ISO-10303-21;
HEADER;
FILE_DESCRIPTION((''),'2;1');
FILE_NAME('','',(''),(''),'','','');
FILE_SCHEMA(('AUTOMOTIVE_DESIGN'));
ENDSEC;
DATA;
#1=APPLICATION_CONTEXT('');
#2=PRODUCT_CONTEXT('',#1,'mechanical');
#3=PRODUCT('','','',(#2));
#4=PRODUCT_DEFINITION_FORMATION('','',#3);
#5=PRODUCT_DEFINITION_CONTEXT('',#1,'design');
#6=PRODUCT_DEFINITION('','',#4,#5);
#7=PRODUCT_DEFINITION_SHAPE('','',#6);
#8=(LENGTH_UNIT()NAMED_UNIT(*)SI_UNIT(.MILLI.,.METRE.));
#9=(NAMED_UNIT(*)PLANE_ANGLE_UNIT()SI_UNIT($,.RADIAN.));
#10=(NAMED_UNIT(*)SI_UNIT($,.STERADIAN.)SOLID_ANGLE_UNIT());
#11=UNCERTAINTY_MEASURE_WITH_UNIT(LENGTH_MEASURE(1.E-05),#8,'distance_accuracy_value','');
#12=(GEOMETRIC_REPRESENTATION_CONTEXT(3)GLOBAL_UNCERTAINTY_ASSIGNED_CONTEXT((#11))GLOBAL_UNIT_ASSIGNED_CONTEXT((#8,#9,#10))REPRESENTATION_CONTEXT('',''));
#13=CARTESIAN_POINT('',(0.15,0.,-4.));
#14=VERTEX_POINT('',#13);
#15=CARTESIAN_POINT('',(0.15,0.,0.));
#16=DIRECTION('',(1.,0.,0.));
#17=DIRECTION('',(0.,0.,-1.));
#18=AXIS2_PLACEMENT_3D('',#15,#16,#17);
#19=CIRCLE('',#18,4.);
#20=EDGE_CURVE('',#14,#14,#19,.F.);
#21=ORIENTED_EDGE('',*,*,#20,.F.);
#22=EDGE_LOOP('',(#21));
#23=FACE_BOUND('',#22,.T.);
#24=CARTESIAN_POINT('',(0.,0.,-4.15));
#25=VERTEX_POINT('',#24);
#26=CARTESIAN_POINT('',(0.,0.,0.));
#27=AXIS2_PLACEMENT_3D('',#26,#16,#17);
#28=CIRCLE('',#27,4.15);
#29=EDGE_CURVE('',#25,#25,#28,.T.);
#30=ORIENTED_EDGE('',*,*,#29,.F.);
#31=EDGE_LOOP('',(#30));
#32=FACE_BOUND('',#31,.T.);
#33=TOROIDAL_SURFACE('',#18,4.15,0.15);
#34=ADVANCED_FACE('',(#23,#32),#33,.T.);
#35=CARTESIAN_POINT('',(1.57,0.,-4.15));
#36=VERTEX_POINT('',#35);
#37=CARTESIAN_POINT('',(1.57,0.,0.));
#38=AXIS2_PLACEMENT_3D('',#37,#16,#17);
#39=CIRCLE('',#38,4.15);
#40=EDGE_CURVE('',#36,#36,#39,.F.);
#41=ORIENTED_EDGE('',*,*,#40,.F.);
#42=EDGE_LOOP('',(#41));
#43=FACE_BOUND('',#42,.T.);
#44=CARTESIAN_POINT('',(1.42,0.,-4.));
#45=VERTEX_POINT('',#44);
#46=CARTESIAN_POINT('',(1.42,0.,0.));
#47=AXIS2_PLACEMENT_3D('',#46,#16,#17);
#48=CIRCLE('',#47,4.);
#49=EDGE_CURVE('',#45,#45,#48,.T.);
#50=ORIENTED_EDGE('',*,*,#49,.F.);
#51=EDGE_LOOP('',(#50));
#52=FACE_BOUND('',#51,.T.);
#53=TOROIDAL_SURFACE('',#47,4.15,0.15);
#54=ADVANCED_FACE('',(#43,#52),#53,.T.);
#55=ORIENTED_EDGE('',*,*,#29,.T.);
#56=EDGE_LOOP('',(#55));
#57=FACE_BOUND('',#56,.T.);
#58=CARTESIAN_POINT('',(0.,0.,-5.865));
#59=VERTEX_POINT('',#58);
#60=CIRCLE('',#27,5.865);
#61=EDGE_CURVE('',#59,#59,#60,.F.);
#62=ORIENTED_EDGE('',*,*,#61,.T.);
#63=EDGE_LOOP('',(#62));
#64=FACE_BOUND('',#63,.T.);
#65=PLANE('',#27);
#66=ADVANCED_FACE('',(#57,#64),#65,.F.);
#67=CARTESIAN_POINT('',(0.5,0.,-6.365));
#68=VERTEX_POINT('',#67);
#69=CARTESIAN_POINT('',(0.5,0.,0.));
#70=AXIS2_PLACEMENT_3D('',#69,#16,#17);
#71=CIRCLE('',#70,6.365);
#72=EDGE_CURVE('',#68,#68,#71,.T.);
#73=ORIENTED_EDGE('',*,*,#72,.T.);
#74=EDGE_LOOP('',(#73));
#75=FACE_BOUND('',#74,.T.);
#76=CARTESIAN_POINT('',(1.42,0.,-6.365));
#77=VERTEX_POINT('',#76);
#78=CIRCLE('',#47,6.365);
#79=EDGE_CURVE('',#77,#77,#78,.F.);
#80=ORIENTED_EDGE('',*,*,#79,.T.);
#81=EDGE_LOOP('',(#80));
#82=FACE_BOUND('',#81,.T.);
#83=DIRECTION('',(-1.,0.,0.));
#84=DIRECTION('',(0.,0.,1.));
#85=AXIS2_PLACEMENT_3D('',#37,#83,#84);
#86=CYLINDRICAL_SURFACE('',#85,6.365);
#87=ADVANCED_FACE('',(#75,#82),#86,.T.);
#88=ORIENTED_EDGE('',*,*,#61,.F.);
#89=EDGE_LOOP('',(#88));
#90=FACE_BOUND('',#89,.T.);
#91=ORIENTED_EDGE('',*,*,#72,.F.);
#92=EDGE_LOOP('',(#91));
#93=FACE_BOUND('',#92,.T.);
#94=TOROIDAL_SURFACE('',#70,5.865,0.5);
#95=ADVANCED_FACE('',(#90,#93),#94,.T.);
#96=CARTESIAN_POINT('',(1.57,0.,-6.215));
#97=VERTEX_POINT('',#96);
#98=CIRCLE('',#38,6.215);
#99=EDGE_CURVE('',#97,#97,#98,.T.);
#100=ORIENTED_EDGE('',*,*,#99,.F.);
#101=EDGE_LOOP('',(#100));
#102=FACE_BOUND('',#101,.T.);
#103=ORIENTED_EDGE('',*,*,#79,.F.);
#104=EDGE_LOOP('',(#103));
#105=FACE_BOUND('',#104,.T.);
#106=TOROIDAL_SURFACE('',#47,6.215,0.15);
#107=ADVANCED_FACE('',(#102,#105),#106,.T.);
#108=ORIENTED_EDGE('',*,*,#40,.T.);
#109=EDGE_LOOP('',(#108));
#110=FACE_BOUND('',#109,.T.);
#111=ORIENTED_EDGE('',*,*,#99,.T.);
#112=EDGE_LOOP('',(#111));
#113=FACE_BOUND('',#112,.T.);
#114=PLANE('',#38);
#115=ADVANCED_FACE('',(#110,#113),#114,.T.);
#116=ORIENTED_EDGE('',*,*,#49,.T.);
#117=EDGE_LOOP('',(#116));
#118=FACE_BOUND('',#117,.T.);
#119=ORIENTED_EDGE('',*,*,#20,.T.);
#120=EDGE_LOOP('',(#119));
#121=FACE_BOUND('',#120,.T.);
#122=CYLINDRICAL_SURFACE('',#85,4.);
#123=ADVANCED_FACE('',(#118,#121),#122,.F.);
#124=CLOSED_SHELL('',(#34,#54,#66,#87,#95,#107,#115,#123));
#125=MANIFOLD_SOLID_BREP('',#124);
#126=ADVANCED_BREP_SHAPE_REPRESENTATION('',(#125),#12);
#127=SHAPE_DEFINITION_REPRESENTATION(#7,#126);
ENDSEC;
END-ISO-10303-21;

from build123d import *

# Parameters (mm, degrees)
SKETCH1_R           = 6.365
SKETCH1_R_2         = 4
BOSS_EXTRUDE1_DEPTH = 1.57
FILLET1_R           = 0.15
FILLET2_R           = 0.15
FILLET3_R           = 0.5


with BuildPart() as part:
    # Sketch1 → Boss-Extrude1 (new body)
    with BuildSketch(Plane(origin=(0, 0, 0), x_dir=(0, 0, -1), z_dir=(1, 0, 0))):
        Circle(SKETCH1_R)
        Circle(SKETCH1_R_2, mode=Mode.SUBTRACT)
    extrude(amount=BOSS_EXTRUDE1_DEPTH)

    # Fillet1
    fillet1_edges = [part.edges().sort_by_distance(p)[0] for p in [
        (1.57, 0, 6.365),
        (1.57, 0, 4),
    ]]
    fillet(fillet1_edges, radius=FILLET1_R)

    # Fillet2
    fillet2_edges = [part.edges().sort_by_distance(p)[0] for p in [
        (0, 0, 4),
    ]]
    fillet(fillet2_edges, radius=FILLET2_R)

    # Fillet3
    fillet3_edges = [part.edges().sort_by_distance(p)[0] for p in [
        (0, 0, 6.365),
    ]]
    fillet(fillet3_edges, radius=FILLET3_R)


solid = part.part
